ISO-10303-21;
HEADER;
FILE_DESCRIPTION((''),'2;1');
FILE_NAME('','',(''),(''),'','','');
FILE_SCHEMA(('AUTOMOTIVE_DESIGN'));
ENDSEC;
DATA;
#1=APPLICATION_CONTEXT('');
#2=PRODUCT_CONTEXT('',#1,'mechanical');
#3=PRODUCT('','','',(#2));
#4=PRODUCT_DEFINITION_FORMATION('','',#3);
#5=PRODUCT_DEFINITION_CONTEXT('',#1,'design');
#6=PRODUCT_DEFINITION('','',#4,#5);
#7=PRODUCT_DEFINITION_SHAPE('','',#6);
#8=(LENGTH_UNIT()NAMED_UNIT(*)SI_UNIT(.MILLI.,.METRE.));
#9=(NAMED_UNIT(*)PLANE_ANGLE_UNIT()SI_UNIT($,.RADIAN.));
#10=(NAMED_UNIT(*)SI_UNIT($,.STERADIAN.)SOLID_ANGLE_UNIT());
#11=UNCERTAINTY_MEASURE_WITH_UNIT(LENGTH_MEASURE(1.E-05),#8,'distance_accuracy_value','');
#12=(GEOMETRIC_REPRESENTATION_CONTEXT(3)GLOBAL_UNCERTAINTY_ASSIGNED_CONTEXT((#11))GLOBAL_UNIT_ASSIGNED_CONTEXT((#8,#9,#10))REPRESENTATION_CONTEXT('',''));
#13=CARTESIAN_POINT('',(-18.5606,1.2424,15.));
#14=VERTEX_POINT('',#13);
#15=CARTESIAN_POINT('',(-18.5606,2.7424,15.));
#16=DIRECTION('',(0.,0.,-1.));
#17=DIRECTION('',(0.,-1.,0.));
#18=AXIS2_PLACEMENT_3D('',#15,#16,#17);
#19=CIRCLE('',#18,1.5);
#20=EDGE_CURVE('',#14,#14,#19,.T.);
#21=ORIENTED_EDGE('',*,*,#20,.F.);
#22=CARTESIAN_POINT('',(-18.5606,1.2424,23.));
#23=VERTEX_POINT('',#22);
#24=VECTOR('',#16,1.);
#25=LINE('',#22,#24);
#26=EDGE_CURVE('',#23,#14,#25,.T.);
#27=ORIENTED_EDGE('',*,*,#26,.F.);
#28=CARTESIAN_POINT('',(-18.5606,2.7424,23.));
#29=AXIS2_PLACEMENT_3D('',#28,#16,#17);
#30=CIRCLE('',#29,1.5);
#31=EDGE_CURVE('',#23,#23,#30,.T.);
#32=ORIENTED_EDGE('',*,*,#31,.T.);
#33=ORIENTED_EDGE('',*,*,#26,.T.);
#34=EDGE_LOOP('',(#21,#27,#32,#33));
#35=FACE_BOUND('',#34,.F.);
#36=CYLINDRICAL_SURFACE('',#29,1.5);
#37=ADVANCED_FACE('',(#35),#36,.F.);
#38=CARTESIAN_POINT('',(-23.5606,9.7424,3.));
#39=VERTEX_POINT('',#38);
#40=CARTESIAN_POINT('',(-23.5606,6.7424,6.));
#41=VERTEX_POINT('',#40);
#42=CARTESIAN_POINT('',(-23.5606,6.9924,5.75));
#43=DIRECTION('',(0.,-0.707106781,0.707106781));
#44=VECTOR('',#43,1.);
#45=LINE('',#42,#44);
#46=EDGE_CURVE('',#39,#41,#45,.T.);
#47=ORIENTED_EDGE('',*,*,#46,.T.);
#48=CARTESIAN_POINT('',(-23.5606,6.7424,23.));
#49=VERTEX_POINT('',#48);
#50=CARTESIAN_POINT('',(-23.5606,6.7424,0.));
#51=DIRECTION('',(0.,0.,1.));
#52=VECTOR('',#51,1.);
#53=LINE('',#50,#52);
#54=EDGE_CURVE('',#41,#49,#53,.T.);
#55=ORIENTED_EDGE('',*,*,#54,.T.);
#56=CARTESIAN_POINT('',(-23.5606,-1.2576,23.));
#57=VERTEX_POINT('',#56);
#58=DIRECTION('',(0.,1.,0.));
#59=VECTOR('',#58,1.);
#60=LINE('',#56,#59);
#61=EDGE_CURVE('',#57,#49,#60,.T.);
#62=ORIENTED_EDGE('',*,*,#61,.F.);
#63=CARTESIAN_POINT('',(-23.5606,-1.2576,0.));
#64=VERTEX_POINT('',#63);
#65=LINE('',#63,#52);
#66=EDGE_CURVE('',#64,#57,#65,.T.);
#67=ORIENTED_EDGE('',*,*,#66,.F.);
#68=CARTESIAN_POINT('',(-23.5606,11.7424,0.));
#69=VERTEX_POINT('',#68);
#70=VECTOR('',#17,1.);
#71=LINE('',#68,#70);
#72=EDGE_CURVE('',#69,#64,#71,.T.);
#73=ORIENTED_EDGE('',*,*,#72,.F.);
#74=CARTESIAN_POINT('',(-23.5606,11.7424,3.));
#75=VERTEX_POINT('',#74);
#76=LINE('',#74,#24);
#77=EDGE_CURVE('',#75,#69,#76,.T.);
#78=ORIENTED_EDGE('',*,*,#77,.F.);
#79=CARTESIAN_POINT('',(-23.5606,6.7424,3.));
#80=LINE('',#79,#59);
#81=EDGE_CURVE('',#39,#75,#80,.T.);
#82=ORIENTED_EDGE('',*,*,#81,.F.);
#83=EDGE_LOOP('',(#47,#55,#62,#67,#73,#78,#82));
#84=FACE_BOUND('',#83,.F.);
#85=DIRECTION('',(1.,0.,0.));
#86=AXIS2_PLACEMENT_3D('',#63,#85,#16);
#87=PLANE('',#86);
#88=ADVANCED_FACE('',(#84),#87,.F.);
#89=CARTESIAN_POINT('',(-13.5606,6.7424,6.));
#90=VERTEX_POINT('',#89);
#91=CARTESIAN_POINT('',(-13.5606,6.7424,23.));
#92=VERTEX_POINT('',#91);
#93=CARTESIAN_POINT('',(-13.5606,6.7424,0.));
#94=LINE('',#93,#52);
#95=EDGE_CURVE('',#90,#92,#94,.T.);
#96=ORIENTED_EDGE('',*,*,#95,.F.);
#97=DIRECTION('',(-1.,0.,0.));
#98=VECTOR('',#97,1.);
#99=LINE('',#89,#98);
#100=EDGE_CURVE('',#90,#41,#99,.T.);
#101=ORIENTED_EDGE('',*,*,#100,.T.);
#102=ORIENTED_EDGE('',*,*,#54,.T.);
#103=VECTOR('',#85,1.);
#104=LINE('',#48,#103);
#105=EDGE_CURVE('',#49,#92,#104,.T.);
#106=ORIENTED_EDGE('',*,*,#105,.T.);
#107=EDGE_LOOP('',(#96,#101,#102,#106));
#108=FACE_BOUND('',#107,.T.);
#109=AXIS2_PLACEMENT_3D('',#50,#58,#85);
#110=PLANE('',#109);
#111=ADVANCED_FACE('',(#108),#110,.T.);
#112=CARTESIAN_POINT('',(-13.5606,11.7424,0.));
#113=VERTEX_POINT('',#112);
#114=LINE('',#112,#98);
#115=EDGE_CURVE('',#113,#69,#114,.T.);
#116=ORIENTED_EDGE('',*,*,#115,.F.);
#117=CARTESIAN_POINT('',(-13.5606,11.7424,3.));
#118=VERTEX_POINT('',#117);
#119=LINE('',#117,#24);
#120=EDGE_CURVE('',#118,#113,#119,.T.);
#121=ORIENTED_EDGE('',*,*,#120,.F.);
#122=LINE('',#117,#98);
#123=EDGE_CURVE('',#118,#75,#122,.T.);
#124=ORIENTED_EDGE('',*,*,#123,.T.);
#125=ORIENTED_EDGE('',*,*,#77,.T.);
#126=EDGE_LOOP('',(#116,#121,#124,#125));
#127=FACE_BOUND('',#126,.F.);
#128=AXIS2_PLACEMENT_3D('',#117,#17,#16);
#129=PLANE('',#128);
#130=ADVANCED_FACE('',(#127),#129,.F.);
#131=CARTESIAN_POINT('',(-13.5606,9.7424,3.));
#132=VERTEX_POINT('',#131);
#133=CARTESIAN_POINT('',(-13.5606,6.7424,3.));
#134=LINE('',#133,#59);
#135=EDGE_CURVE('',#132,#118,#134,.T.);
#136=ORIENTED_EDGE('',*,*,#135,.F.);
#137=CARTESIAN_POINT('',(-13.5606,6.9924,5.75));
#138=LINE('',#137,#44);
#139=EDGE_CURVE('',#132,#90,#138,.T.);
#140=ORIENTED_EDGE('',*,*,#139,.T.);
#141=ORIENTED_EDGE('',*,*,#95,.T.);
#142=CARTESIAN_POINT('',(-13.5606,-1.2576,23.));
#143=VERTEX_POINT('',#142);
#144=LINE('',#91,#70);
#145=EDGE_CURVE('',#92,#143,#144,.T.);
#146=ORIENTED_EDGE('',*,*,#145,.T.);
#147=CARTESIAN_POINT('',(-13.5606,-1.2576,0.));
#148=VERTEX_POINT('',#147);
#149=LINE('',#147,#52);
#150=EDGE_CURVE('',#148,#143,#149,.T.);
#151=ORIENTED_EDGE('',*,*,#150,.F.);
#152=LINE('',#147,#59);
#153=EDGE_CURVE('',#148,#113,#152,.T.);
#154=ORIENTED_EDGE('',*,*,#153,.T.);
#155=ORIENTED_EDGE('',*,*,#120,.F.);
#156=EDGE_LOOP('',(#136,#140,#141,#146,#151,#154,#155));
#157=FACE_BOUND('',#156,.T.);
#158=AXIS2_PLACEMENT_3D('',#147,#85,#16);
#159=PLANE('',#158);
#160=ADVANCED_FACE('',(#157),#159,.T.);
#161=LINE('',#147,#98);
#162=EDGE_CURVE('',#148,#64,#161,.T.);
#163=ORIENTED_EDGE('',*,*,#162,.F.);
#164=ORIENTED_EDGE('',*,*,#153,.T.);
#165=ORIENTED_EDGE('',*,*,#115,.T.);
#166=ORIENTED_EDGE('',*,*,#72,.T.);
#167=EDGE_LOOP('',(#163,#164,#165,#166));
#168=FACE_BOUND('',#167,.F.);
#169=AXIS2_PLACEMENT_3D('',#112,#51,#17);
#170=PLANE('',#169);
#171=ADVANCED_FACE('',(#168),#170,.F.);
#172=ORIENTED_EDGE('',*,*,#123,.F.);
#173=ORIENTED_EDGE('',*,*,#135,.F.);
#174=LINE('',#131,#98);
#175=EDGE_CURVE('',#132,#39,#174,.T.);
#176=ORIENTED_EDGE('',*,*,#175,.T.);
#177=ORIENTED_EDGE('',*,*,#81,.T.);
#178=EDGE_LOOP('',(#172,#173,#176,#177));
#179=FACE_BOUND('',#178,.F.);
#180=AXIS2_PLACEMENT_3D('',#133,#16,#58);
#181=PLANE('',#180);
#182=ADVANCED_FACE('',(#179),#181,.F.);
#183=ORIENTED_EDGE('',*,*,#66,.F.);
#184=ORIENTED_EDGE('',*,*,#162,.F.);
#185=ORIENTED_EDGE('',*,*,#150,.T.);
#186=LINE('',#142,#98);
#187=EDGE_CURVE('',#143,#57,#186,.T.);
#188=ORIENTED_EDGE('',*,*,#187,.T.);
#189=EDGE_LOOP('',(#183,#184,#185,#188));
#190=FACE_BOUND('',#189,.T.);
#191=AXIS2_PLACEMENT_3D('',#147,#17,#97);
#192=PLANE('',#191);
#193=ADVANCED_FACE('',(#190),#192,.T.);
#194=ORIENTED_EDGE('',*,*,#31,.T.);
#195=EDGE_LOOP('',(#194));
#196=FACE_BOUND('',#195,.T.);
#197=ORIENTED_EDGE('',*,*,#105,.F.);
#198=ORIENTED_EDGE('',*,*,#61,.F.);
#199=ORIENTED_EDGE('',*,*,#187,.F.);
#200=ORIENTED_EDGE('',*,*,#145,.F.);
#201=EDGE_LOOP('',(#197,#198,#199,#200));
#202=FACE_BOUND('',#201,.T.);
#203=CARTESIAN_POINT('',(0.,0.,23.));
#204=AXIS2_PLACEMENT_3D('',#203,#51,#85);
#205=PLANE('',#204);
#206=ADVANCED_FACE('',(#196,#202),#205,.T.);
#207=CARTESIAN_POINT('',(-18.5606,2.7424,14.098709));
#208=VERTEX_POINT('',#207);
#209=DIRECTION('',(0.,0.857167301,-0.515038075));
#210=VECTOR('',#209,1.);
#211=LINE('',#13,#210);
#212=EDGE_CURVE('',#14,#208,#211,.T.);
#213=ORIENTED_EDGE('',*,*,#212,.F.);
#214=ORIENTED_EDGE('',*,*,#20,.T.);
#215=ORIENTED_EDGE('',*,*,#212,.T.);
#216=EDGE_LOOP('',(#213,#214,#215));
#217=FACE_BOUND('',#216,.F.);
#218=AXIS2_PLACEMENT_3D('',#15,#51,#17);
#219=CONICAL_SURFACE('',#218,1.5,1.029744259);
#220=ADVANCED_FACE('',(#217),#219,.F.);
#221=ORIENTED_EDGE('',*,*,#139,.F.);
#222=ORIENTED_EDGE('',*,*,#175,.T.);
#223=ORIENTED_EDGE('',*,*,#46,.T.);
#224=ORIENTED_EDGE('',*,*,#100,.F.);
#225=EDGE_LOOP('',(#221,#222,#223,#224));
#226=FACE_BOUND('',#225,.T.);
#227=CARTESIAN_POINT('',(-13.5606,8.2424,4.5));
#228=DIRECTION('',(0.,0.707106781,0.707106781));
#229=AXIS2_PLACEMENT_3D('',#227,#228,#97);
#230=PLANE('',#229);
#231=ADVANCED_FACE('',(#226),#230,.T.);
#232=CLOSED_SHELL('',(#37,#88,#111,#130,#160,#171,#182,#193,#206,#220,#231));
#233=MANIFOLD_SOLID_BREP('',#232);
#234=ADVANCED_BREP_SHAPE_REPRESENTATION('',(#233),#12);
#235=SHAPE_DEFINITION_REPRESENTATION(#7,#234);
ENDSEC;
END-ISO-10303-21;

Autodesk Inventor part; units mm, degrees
ref_plane "YZ Plane" through (0, 0, 0) normal (1, 0, 0) x (0, 1, 0)
ref_plane "XZ Plane" through (0, 0, 0) normal (0, 1, 0) x (-1, 0, 0)
ref_plane "XY Plane" through (0, 0, 0) normal (0, 0, 1) x (1, 0, 0)
sketch "Sketch1" plane through (0, 0, 0) normal (0, 0, 1) x (1, 0, 0)
  line L0 (-23.5606, 6.7424) -> (-13.5606, 6.7424)
  line L1 (-13.5606, 6.7424) -> (-13.5606, -1.2576)
  line L2 (-13.5606, -1.2576) -> (-23.5606, -1.2576)
  line L3 (-23.5606, -1.2576) -> (-23.5606, 6.7424)
  point P0 (0, 0)
  dimension "d0" = 10
  dimension "d1" = 8
extrude "Extrusion1" add sketch "Sketch1" along normal blind 23
sketch "Sketch2" plane through (0, 0, 23) normal (0, 0, 1) x (1, 0, 0)
  line L0 (-23.5606, 6.7424) -> (-23.5606, -1.2576) projected
  point P0 (0, 0)
  point P1 (-18.5606, 2.7424)
  dimension "d4" = 5
hole "Hole1" at (-18.5606, 2.7424, 23) direction (0, 0, -1) diameter 3 depth 8 tip angle 118
sketch "Sketch3" plane through (-13.5606, -1.2576, 0) normal (1, 0, 0) x (0, 0, -1)
  line L0 (0, 8) -> (-3, 8)
  line L1 (-3, 8) -> (-3, 13)
  line L2 (-3, 13) -> (0, 13)
  line L3 (0, 13) -> (0, 8)
  line L4 (0, 0) -> (-23, 0) projected
  point P0 (0, 1.2576)
  dimension "d12" = 13
  dimension "d13" = 3
extrude "Extrusion2" add sketch "Sketch3" against normal blind 10
chamfer "Chamfer1" distance 3 angle 45 1 edges at (-18.5606, 6.7424, 3)
properties part number "ArOZ Portable Mount"
